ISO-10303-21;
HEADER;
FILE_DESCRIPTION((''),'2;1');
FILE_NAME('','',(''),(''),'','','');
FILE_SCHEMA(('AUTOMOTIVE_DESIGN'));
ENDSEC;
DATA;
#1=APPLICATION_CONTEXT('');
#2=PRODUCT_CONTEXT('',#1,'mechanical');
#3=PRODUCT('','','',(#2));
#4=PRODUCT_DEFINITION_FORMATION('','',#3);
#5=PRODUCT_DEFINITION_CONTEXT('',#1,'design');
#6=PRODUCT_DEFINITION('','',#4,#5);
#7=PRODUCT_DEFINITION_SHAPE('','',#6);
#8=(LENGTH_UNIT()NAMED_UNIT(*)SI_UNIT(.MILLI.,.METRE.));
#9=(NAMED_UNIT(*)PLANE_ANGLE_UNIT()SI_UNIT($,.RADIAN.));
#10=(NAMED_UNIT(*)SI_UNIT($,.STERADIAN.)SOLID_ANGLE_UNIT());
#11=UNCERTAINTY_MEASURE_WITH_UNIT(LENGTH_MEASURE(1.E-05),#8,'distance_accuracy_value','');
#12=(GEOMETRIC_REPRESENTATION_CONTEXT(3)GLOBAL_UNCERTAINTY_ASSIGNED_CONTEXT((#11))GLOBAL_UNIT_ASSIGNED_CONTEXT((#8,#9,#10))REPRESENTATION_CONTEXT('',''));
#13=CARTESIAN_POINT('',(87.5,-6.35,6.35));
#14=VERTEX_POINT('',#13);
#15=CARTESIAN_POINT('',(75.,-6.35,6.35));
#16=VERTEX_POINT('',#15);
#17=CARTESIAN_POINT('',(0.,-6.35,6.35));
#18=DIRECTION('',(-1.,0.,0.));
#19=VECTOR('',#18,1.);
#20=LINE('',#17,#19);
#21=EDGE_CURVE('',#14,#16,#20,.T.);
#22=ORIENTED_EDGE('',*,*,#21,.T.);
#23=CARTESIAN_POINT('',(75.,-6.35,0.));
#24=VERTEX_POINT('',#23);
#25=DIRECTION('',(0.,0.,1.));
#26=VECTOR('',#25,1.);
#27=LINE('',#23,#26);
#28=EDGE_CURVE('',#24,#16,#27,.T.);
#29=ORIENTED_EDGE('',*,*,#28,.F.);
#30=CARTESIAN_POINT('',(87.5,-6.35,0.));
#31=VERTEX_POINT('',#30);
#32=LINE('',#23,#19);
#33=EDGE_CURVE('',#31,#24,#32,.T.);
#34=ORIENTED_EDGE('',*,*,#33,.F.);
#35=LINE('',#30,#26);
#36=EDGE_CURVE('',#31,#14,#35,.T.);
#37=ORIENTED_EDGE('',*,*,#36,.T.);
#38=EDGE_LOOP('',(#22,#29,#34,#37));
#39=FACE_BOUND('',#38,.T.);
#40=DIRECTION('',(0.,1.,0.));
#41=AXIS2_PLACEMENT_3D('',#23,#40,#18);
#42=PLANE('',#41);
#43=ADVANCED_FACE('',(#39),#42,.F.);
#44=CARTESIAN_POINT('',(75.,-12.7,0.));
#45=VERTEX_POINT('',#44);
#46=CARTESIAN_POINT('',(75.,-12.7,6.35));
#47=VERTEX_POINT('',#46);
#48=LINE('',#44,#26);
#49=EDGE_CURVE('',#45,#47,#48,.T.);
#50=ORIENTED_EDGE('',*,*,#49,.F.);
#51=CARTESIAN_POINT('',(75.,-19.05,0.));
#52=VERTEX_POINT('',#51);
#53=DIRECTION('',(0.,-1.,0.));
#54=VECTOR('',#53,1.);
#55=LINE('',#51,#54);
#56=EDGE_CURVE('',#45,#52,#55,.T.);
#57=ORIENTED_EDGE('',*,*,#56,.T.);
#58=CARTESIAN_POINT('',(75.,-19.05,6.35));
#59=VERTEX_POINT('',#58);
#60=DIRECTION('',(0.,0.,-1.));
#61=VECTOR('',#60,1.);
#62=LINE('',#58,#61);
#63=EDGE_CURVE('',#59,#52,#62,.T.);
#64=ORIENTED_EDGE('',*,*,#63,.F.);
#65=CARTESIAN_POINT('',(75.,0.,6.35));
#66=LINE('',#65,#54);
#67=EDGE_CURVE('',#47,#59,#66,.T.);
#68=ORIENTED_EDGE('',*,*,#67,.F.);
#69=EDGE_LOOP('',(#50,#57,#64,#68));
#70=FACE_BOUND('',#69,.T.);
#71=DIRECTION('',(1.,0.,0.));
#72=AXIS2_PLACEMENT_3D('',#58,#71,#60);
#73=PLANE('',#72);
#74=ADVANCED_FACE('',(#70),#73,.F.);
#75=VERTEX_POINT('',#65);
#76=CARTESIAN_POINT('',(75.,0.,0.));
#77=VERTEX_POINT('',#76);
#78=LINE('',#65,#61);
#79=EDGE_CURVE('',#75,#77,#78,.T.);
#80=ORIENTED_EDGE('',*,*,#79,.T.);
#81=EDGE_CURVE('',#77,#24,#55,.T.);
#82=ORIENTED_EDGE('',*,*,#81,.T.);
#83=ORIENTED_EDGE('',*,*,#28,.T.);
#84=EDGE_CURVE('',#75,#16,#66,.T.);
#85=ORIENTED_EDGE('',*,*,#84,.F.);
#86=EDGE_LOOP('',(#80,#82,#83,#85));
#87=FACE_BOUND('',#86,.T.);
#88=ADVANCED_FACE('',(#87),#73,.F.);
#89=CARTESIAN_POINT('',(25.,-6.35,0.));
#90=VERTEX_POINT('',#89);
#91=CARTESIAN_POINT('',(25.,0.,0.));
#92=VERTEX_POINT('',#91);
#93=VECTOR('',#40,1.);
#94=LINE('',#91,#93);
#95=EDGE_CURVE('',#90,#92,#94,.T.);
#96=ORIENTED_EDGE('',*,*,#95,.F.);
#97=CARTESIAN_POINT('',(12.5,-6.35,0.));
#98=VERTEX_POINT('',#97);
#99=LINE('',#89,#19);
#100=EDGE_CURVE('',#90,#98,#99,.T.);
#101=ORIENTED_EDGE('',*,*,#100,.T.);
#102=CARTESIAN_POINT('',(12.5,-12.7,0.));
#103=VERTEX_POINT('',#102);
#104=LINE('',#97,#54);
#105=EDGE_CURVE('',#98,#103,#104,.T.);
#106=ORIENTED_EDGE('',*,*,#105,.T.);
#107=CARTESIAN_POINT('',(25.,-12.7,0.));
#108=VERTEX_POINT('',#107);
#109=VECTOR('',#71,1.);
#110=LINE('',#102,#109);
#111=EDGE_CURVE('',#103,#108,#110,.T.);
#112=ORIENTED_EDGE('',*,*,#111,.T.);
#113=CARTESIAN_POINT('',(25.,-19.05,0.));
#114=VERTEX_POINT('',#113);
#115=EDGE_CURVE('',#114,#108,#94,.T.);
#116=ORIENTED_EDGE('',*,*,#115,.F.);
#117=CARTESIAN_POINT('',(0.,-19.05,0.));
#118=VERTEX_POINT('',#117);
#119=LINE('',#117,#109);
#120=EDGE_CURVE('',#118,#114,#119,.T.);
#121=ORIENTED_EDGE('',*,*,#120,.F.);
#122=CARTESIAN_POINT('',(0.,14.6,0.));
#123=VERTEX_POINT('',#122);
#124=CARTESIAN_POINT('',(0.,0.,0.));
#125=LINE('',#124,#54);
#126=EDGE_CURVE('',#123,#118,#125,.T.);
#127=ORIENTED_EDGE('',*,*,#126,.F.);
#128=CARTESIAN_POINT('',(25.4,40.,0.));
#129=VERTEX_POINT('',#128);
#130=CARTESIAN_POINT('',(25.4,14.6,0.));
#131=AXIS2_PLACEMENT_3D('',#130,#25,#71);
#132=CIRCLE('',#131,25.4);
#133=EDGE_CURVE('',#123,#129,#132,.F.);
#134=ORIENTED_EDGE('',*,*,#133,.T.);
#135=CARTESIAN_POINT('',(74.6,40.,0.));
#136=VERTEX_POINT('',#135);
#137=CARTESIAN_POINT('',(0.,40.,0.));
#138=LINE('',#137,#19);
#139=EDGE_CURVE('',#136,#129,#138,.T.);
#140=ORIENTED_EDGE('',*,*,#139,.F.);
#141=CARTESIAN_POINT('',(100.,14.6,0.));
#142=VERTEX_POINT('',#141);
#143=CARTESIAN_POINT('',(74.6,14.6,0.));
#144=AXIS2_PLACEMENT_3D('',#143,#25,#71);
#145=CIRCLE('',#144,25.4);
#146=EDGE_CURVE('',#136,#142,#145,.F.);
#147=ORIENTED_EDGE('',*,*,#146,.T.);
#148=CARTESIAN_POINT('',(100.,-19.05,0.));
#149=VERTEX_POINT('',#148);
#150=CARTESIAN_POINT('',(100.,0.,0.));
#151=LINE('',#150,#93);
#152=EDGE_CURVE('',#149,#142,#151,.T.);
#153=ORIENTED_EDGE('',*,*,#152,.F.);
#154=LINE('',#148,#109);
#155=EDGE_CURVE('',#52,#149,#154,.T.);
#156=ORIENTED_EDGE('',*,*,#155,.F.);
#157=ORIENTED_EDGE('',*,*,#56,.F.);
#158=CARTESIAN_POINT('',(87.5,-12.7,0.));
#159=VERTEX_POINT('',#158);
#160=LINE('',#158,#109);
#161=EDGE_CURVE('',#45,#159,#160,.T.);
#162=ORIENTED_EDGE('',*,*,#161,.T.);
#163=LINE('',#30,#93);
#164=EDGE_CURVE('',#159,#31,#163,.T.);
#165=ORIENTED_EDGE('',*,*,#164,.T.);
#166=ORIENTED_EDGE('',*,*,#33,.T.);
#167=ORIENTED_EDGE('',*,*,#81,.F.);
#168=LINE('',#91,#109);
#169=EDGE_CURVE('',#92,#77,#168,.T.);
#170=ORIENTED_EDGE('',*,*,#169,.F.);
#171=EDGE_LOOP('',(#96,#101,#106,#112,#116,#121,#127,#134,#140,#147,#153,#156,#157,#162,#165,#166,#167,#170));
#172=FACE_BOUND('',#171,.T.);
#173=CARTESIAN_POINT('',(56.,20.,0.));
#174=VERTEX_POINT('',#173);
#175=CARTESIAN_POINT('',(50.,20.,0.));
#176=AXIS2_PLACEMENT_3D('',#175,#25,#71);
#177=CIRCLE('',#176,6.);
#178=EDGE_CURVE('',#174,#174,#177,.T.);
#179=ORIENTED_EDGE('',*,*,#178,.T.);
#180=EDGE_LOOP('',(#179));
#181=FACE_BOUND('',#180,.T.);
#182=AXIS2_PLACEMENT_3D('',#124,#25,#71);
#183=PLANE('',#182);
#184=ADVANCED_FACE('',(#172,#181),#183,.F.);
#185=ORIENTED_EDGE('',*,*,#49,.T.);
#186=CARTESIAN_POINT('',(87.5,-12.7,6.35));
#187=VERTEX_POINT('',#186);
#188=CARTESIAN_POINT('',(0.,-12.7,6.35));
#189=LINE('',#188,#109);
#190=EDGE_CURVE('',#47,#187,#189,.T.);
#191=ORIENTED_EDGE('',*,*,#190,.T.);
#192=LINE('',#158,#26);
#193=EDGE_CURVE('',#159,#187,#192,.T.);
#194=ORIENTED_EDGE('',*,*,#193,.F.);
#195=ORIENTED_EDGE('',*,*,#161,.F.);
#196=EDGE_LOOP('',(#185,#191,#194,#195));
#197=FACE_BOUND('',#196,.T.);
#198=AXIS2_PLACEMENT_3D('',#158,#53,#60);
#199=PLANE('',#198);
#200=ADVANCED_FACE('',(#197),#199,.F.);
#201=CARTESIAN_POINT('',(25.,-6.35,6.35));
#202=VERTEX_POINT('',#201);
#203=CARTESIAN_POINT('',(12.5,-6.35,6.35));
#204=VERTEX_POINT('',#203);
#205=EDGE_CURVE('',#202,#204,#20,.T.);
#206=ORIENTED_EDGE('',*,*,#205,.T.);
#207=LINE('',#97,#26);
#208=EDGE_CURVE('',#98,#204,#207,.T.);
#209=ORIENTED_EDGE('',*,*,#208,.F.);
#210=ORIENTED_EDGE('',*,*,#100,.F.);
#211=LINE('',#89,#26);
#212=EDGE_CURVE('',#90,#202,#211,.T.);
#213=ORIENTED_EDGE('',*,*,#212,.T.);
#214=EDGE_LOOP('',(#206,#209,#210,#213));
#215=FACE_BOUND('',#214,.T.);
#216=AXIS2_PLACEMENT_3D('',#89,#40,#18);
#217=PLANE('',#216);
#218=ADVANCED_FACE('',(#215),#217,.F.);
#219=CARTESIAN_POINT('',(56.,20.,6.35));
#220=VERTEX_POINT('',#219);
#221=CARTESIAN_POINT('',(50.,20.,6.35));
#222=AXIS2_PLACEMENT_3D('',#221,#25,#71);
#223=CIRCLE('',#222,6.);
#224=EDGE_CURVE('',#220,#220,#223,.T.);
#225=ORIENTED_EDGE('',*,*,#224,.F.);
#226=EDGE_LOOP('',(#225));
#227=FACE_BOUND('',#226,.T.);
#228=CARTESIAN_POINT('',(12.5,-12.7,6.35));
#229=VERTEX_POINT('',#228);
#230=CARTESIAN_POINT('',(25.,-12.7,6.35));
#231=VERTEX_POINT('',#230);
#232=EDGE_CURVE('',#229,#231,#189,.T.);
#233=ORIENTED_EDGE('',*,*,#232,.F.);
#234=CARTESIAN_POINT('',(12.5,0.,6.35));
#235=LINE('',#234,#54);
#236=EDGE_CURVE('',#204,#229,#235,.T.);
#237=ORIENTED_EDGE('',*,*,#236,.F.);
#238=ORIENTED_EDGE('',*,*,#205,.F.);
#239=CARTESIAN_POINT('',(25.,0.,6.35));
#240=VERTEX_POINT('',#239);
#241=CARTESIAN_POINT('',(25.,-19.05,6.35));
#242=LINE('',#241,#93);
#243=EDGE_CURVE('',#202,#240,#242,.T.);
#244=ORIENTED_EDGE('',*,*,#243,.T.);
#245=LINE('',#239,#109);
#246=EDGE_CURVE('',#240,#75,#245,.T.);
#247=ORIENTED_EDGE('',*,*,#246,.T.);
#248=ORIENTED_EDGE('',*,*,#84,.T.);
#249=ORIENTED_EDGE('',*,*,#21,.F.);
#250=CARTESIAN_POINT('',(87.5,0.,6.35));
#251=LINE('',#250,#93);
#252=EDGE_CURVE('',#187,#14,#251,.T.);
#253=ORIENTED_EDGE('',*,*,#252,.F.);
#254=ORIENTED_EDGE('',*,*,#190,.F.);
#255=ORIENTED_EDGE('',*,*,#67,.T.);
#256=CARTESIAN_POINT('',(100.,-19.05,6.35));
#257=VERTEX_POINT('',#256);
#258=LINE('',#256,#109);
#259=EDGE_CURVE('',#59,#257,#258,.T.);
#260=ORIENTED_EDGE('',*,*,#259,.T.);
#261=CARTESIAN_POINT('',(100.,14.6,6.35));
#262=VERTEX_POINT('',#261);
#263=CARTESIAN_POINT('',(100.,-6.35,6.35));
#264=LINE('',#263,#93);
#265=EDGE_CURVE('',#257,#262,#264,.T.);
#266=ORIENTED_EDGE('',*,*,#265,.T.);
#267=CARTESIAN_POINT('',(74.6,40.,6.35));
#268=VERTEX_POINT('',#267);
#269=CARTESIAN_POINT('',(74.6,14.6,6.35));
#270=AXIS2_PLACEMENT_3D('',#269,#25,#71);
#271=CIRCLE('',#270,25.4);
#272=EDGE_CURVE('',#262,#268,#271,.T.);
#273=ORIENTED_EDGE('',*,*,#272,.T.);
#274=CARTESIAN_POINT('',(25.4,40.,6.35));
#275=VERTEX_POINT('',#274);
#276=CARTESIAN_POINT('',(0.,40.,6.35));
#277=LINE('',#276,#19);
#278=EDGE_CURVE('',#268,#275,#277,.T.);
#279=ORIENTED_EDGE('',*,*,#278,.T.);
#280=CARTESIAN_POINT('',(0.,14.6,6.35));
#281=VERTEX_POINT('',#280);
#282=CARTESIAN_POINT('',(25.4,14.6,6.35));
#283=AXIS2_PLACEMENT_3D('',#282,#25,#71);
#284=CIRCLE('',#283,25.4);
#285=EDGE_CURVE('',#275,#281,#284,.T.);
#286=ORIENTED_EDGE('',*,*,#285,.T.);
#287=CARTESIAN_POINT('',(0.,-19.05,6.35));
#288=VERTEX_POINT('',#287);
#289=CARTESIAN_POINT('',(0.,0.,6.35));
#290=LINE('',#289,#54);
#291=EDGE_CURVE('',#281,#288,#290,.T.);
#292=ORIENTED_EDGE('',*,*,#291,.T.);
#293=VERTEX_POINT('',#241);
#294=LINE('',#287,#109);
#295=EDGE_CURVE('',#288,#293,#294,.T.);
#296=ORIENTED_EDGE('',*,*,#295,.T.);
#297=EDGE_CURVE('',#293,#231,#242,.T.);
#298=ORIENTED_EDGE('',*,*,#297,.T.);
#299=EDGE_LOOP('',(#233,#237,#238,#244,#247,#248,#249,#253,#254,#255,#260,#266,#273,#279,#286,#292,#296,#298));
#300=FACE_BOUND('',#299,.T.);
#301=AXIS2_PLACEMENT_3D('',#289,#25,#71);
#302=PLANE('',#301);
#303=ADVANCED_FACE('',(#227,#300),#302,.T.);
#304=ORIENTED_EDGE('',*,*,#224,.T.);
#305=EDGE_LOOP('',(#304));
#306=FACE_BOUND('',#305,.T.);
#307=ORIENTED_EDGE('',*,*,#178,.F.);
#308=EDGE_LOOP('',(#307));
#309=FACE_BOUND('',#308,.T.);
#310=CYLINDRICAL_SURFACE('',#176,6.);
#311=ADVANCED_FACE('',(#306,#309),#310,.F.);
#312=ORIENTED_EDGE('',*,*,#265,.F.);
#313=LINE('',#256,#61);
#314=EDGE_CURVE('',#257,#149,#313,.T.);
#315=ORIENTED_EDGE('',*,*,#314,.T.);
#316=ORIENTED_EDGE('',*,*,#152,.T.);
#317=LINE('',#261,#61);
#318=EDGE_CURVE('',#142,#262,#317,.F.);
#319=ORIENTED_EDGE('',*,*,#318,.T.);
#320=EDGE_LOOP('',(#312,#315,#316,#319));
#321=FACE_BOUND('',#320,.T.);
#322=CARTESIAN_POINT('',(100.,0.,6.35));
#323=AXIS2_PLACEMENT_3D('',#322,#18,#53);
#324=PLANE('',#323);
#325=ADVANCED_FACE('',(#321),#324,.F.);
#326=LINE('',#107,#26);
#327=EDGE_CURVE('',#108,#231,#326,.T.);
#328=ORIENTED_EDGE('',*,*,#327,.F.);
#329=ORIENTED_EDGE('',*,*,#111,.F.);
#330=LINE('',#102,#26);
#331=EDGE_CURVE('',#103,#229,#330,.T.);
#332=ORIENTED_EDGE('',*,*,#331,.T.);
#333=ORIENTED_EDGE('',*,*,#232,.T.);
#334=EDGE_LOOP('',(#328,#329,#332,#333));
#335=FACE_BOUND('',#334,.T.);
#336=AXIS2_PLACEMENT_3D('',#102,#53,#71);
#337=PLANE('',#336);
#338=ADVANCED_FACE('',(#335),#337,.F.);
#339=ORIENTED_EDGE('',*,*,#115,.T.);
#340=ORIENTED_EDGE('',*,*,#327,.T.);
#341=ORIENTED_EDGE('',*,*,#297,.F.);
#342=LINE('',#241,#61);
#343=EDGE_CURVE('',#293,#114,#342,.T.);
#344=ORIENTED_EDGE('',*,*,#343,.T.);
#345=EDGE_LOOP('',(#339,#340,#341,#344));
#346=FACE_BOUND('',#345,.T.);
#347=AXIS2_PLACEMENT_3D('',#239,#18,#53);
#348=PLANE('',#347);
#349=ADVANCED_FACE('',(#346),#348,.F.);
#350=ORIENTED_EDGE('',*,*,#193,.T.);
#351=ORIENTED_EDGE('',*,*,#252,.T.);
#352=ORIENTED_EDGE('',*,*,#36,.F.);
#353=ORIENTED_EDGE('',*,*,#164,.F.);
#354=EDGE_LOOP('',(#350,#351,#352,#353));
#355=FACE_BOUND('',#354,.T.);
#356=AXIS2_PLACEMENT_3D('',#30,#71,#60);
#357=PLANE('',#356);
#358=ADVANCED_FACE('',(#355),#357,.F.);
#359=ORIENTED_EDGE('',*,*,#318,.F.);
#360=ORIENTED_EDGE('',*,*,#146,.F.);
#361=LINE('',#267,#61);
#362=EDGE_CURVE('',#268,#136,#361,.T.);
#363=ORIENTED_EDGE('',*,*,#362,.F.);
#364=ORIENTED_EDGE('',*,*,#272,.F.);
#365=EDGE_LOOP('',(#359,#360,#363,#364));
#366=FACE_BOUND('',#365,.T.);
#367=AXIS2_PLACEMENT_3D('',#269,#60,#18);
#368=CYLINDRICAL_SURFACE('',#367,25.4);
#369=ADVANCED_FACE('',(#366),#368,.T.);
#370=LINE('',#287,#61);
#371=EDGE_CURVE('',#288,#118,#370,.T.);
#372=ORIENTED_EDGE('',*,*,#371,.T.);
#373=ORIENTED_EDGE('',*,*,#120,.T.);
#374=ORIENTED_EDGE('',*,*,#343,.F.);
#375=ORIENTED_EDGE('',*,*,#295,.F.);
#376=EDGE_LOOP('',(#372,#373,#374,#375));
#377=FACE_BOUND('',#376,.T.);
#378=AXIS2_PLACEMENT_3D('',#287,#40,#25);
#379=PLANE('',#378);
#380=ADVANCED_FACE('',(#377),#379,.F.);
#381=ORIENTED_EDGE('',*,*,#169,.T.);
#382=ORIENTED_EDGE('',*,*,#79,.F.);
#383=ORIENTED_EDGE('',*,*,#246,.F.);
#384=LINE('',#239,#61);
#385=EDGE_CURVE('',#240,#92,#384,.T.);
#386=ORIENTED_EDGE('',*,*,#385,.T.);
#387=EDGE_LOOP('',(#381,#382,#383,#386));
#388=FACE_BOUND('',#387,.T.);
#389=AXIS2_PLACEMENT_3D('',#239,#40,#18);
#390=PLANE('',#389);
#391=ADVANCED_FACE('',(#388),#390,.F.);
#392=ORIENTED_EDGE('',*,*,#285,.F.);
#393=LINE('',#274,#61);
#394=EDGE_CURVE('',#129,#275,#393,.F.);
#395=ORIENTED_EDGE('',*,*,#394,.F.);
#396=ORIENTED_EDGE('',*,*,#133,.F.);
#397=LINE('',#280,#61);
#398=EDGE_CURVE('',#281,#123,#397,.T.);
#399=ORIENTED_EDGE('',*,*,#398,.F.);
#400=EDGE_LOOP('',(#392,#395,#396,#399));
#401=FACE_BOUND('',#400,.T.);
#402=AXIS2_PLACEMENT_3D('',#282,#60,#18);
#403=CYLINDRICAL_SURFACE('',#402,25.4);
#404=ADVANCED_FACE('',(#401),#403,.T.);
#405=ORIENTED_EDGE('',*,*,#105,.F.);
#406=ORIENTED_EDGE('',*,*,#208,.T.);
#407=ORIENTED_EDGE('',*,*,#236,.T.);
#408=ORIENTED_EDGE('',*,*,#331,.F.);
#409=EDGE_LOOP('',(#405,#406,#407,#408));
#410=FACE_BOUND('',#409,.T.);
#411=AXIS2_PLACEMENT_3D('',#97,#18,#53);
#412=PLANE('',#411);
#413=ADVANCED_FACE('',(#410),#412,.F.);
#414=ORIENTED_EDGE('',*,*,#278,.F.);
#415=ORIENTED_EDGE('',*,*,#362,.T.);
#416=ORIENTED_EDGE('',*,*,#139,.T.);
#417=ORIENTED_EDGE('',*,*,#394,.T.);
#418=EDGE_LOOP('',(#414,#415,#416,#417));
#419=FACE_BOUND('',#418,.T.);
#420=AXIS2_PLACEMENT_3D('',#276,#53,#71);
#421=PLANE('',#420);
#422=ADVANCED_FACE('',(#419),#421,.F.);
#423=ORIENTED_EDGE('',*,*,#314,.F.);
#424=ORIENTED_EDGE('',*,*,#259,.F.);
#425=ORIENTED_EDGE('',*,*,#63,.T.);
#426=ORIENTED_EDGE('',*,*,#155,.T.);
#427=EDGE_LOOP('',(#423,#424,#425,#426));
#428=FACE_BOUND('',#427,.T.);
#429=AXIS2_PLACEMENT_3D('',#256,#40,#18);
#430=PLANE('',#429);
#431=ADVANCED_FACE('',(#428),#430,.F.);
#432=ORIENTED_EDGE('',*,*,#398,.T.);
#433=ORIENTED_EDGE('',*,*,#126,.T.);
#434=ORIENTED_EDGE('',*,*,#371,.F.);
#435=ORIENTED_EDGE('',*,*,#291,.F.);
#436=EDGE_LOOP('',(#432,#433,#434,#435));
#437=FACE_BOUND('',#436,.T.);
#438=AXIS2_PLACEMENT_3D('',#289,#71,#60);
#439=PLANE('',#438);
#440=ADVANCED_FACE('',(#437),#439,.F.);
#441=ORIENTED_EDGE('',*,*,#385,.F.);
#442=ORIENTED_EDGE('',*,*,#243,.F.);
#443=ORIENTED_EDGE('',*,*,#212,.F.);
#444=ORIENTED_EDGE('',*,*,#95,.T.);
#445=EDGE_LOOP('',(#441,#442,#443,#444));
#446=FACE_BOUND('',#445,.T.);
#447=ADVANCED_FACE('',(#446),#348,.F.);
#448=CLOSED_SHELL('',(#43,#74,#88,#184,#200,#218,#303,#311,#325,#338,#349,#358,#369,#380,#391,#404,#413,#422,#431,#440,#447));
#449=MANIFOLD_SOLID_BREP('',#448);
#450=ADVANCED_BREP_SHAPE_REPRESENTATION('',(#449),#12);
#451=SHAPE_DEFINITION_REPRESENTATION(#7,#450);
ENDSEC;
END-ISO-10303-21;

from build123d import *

# Parameters (mm, degrees)
BOSS_EXTRUDE1_DEPTH     = 6.35
CUT_EXTRUDE1_DEPTH      = 108.890326167
CUT_EXTRUDE1_DEPTH_BACK = 108.890326167
SKETCH2_R               = 5.999999938
FILLET1_R               = 25.4
CUT_EXTRUDE2_DEPTH      = 108.890326167
CUT_EXTRUDE2_DEPTH_BACK = 108.890326167
SKETCH3_W               = 12.499999987
SKETCH3_H               = 6.35


with BuildPart() as part:
    # Sketch1 → Boss-Extrude1 (new body)
    with BuildSketch(Plane.XY):
        Polygon((24.999999974, 0), (74.999999924, 0), (74.999999923, -6.35), (74.999999923, -19.05), (99.999999898, -19.05), (99.999999898, -6.35), (99.999999898, 0), (99.999999898, 40.00000001), (0, 40.00000001), (0, 0), (0, -6.35), (0, -19.05), (24.999999974, -19.05), (24.999999974, -6.35), align=None)
    extrude(amount=BOSS_EXTRUDE1_DEPTH)

    # Sketch2 → Cut-Extrude1 (cut, two sides: drawn at the far end of the back side and taken through both)
    with BuildSketch(Plane.XY.offset(6.35).offset(-CUT_EXTRUDE1_DEPTH_BACK)):
        with Locations((49.999999949, 20.000000005)):
            Circle(SKETCH2_R)
    extrude(amount=CUT_EXTRUDE1_DEPTH + CUT_EXTRUDE1_DEPTH_BACK, mode=Mode.SUBTRACT)

    # Fillet1
    fillet1_edges = [part.edges().sort_by_distance(p)[0] for p in [
        (0, 40.00000001, 3.175),
        (99.999999898, 40.00000001, 3.175),
    ]]
    fillet(fillet1_edges, radius=FILLET1_R)

    # Sketch3 → Cut-Extrude2 (cut, two sides: drawn at the far end of the back side and taken through both)
    with BuildSketch(Plane.XY.offset(6.35).offset(-CUT_EXTRUDE2_DEPTH_BACK)):
        with Locations((81.249999918, -9.525)):
            Rectangle(SKETCH3_W, SKETCH3_H)
        with Locations((18.749999981, -9.525)):
            Rectangle(SKETCH3_W, SKETCH3_H)
    extrude(amount=CUT_EXTRUDE2_DEPTH + CUT_EXTRUDE2_DEPTH_BACK, mode=Mode.SUBTRACT)


solid = part.part
